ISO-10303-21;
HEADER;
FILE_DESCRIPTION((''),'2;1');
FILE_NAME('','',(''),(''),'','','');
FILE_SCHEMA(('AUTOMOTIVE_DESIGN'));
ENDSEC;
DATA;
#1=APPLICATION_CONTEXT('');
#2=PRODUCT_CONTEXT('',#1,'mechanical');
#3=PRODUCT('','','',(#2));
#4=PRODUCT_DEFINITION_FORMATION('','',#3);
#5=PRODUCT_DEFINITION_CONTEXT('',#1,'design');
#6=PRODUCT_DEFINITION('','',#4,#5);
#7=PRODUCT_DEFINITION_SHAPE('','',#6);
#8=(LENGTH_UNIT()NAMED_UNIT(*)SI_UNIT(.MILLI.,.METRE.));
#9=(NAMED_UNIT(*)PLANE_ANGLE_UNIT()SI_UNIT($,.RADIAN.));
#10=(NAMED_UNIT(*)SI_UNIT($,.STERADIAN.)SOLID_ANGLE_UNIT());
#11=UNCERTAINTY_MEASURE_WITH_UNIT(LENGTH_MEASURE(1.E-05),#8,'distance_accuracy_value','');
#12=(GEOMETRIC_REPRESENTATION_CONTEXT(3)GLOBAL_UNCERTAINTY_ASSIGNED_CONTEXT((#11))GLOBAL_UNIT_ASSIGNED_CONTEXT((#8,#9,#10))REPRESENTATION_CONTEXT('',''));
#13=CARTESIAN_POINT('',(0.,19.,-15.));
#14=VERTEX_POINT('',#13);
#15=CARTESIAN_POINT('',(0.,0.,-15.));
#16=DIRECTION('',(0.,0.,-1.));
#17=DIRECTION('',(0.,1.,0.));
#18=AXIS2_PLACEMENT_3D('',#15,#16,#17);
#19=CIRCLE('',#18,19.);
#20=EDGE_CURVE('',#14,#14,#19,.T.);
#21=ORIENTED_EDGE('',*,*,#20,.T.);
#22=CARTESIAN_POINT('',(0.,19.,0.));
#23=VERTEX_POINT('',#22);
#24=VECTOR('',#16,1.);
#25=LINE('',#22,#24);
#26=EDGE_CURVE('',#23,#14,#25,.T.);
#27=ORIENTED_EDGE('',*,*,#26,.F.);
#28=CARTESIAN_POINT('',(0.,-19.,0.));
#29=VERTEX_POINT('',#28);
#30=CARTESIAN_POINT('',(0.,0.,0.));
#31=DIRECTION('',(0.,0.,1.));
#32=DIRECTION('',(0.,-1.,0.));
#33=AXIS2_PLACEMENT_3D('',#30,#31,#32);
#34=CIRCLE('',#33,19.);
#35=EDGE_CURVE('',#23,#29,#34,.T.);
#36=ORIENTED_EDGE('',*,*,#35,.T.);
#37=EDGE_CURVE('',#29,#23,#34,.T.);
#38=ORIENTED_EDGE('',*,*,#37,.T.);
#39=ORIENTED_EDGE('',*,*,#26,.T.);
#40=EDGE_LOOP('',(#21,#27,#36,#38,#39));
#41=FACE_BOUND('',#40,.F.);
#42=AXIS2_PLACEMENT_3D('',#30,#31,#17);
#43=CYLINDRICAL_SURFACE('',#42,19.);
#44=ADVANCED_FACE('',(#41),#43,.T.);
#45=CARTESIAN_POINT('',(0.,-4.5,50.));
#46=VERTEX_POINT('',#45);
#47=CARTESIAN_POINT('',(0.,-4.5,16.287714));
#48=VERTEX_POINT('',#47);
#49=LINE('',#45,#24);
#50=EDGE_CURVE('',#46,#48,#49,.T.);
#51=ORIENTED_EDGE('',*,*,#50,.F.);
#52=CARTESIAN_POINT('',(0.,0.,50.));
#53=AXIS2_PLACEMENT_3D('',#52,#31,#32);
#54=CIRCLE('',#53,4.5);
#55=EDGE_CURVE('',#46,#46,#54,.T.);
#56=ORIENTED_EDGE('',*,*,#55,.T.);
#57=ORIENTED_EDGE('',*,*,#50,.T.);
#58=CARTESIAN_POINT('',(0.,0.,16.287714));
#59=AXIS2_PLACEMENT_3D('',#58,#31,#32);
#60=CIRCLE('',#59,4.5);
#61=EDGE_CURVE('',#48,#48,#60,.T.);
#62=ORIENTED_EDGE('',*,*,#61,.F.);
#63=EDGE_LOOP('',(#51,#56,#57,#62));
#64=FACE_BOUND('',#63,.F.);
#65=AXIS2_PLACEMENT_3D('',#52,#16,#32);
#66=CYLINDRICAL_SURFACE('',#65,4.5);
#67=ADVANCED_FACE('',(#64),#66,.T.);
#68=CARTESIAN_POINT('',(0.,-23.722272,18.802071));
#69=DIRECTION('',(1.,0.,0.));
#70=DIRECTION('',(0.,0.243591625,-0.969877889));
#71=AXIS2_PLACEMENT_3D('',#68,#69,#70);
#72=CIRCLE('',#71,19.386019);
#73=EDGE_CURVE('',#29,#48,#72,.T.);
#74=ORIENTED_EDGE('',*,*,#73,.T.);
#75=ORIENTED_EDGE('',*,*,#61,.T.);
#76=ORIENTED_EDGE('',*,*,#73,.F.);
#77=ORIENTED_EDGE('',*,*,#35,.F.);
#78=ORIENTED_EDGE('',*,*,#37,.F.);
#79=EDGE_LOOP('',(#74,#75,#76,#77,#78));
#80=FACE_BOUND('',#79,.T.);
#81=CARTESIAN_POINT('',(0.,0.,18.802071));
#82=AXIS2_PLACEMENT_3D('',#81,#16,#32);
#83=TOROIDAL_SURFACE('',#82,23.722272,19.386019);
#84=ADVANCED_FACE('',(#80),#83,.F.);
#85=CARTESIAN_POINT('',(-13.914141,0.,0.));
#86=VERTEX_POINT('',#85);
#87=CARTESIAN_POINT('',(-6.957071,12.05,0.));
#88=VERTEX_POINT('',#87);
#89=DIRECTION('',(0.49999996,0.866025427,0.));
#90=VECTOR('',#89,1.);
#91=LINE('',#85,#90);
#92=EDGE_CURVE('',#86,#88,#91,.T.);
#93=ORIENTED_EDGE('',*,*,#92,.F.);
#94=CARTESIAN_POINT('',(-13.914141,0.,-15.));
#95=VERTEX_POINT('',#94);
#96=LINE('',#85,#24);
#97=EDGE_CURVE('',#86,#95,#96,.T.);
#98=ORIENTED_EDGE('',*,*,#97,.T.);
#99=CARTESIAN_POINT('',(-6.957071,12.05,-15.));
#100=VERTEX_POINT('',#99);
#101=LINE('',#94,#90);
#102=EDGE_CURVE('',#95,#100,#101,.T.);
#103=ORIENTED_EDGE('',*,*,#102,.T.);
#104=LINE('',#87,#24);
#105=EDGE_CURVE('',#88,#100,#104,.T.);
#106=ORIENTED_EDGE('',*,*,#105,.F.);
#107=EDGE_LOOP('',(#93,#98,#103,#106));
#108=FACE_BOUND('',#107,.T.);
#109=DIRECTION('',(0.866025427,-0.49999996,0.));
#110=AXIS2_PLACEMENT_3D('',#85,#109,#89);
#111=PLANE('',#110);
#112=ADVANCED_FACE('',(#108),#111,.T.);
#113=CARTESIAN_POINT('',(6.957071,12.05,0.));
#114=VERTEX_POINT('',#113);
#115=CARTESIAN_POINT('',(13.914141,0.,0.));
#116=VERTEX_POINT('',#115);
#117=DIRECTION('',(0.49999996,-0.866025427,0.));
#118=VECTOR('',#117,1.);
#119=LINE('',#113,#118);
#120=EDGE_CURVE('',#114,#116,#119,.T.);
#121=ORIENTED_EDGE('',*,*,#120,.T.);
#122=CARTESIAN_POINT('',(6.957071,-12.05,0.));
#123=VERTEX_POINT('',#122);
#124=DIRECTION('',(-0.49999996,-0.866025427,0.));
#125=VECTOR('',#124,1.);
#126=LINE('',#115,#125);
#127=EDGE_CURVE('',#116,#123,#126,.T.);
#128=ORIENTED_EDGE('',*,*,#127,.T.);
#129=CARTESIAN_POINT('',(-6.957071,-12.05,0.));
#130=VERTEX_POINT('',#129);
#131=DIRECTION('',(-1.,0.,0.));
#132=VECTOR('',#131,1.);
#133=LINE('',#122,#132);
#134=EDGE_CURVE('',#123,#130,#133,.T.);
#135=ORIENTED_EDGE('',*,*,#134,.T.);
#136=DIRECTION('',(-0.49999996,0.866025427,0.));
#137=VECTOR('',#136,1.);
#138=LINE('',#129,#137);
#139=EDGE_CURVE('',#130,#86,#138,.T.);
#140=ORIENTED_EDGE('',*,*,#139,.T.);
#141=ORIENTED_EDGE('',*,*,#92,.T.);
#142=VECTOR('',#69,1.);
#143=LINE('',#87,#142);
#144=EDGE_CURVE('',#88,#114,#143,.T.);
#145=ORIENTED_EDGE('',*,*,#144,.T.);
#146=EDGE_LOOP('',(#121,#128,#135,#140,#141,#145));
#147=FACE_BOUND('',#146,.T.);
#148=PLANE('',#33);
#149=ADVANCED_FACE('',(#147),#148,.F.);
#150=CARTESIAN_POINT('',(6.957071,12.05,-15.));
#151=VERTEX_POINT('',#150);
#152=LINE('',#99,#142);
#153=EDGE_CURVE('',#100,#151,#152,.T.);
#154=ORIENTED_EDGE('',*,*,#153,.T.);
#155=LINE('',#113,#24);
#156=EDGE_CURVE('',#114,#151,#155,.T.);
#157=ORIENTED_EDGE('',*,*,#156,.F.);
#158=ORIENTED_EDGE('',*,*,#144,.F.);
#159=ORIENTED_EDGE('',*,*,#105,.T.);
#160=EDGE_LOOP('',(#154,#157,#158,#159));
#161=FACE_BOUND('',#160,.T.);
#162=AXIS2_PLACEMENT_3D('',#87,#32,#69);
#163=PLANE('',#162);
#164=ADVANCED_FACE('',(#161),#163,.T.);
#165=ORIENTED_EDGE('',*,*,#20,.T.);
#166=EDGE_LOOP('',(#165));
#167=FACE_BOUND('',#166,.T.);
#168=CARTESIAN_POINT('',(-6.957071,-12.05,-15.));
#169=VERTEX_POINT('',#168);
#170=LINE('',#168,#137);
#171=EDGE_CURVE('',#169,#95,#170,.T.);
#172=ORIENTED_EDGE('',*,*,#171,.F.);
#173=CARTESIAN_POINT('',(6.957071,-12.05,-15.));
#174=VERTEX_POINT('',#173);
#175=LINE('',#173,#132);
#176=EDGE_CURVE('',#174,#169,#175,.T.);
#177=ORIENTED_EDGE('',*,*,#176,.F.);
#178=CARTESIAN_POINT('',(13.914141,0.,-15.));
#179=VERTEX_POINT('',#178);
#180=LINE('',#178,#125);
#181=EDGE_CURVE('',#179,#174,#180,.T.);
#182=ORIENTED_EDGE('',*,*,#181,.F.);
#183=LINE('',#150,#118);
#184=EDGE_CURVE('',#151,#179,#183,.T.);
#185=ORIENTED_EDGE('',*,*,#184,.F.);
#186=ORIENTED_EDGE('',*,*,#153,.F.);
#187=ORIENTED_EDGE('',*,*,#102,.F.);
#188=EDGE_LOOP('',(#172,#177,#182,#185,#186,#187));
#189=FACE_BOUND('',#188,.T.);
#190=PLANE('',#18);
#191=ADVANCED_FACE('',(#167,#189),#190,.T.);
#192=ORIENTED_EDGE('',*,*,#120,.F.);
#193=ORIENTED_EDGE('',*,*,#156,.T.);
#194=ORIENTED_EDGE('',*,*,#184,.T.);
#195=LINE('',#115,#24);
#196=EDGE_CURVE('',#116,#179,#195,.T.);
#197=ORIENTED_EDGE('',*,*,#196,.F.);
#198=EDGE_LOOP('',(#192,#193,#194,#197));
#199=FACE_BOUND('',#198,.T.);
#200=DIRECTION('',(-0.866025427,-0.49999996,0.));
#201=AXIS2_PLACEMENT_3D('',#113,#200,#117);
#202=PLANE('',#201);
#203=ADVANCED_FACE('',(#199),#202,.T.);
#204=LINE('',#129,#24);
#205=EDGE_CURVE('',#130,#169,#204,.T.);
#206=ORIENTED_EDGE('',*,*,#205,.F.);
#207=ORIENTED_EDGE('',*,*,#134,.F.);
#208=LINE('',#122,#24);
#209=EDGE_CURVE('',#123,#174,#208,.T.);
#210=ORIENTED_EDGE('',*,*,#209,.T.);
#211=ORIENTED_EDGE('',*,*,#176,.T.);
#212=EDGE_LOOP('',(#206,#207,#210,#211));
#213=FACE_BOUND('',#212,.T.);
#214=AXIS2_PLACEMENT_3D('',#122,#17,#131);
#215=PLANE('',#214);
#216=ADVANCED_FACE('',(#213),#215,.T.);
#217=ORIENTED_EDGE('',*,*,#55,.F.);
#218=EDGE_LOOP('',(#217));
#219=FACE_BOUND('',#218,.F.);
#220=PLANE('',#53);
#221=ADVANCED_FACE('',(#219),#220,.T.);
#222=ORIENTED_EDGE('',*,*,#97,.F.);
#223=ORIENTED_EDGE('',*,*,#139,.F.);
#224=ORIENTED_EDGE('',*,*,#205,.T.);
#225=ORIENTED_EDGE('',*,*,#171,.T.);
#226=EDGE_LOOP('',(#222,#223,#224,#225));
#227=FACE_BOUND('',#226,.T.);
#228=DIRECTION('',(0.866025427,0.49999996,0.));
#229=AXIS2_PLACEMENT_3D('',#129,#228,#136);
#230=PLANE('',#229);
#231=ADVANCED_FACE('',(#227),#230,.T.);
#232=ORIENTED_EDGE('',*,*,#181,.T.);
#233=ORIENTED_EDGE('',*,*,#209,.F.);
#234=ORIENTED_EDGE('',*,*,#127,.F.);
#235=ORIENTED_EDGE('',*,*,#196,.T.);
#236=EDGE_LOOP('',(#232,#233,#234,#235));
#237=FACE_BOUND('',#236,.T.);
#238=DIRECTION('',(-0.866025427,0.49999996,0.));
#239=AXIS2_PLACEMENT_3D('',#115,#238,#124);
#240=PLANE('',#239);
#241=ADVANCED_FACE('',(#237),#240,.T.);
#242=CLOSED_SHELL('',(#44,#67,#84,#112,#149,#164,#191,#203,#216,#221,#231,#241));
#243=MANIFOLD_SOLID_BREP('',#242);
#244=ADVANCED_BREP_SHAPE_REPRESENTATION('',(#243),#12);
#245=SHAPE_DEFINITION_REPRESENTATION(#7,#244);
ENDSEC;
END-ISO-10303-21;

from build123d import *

# Parameters (mm, degrees)
SKETCH001_R = 19
PAD_DEPTH   = 15


with BuildPart() as part:
    # Sketch → Revolution (revolve)
    with BuildSketch(Plane.YZ):
        with BuildLine():
            Line((0, 0), (0, 50))
            Line((0, 50), (-4.5, 50))
            Line((-4.5, 50), (-4.5, 16.287714))
            ThreePointArc((-19, 0), (-9.24271, 5.911764), (-4.5, 16.287714))
            Line((0, 0), (-19, 0))
        make_face()
    revolve(axis=Axis((0, 0, 0), (0, 0, 1)))

    # Sketch001 (on Face4 of Revolution) → Pad (new body)
    with BuildSketch(Plane.YX):
        Circle(SKETCH001_R)
        Polygon((0, 13.914141), (-12.05, 6.957071), (-12.05, -6.957071), (0, -13.914141), (12.05, -6.957071), (12.05, 6.957071), align=None, mode=Mode.SUBTRACT)
    extrude(amount=PAD_DEPTH)


solid = part.part
